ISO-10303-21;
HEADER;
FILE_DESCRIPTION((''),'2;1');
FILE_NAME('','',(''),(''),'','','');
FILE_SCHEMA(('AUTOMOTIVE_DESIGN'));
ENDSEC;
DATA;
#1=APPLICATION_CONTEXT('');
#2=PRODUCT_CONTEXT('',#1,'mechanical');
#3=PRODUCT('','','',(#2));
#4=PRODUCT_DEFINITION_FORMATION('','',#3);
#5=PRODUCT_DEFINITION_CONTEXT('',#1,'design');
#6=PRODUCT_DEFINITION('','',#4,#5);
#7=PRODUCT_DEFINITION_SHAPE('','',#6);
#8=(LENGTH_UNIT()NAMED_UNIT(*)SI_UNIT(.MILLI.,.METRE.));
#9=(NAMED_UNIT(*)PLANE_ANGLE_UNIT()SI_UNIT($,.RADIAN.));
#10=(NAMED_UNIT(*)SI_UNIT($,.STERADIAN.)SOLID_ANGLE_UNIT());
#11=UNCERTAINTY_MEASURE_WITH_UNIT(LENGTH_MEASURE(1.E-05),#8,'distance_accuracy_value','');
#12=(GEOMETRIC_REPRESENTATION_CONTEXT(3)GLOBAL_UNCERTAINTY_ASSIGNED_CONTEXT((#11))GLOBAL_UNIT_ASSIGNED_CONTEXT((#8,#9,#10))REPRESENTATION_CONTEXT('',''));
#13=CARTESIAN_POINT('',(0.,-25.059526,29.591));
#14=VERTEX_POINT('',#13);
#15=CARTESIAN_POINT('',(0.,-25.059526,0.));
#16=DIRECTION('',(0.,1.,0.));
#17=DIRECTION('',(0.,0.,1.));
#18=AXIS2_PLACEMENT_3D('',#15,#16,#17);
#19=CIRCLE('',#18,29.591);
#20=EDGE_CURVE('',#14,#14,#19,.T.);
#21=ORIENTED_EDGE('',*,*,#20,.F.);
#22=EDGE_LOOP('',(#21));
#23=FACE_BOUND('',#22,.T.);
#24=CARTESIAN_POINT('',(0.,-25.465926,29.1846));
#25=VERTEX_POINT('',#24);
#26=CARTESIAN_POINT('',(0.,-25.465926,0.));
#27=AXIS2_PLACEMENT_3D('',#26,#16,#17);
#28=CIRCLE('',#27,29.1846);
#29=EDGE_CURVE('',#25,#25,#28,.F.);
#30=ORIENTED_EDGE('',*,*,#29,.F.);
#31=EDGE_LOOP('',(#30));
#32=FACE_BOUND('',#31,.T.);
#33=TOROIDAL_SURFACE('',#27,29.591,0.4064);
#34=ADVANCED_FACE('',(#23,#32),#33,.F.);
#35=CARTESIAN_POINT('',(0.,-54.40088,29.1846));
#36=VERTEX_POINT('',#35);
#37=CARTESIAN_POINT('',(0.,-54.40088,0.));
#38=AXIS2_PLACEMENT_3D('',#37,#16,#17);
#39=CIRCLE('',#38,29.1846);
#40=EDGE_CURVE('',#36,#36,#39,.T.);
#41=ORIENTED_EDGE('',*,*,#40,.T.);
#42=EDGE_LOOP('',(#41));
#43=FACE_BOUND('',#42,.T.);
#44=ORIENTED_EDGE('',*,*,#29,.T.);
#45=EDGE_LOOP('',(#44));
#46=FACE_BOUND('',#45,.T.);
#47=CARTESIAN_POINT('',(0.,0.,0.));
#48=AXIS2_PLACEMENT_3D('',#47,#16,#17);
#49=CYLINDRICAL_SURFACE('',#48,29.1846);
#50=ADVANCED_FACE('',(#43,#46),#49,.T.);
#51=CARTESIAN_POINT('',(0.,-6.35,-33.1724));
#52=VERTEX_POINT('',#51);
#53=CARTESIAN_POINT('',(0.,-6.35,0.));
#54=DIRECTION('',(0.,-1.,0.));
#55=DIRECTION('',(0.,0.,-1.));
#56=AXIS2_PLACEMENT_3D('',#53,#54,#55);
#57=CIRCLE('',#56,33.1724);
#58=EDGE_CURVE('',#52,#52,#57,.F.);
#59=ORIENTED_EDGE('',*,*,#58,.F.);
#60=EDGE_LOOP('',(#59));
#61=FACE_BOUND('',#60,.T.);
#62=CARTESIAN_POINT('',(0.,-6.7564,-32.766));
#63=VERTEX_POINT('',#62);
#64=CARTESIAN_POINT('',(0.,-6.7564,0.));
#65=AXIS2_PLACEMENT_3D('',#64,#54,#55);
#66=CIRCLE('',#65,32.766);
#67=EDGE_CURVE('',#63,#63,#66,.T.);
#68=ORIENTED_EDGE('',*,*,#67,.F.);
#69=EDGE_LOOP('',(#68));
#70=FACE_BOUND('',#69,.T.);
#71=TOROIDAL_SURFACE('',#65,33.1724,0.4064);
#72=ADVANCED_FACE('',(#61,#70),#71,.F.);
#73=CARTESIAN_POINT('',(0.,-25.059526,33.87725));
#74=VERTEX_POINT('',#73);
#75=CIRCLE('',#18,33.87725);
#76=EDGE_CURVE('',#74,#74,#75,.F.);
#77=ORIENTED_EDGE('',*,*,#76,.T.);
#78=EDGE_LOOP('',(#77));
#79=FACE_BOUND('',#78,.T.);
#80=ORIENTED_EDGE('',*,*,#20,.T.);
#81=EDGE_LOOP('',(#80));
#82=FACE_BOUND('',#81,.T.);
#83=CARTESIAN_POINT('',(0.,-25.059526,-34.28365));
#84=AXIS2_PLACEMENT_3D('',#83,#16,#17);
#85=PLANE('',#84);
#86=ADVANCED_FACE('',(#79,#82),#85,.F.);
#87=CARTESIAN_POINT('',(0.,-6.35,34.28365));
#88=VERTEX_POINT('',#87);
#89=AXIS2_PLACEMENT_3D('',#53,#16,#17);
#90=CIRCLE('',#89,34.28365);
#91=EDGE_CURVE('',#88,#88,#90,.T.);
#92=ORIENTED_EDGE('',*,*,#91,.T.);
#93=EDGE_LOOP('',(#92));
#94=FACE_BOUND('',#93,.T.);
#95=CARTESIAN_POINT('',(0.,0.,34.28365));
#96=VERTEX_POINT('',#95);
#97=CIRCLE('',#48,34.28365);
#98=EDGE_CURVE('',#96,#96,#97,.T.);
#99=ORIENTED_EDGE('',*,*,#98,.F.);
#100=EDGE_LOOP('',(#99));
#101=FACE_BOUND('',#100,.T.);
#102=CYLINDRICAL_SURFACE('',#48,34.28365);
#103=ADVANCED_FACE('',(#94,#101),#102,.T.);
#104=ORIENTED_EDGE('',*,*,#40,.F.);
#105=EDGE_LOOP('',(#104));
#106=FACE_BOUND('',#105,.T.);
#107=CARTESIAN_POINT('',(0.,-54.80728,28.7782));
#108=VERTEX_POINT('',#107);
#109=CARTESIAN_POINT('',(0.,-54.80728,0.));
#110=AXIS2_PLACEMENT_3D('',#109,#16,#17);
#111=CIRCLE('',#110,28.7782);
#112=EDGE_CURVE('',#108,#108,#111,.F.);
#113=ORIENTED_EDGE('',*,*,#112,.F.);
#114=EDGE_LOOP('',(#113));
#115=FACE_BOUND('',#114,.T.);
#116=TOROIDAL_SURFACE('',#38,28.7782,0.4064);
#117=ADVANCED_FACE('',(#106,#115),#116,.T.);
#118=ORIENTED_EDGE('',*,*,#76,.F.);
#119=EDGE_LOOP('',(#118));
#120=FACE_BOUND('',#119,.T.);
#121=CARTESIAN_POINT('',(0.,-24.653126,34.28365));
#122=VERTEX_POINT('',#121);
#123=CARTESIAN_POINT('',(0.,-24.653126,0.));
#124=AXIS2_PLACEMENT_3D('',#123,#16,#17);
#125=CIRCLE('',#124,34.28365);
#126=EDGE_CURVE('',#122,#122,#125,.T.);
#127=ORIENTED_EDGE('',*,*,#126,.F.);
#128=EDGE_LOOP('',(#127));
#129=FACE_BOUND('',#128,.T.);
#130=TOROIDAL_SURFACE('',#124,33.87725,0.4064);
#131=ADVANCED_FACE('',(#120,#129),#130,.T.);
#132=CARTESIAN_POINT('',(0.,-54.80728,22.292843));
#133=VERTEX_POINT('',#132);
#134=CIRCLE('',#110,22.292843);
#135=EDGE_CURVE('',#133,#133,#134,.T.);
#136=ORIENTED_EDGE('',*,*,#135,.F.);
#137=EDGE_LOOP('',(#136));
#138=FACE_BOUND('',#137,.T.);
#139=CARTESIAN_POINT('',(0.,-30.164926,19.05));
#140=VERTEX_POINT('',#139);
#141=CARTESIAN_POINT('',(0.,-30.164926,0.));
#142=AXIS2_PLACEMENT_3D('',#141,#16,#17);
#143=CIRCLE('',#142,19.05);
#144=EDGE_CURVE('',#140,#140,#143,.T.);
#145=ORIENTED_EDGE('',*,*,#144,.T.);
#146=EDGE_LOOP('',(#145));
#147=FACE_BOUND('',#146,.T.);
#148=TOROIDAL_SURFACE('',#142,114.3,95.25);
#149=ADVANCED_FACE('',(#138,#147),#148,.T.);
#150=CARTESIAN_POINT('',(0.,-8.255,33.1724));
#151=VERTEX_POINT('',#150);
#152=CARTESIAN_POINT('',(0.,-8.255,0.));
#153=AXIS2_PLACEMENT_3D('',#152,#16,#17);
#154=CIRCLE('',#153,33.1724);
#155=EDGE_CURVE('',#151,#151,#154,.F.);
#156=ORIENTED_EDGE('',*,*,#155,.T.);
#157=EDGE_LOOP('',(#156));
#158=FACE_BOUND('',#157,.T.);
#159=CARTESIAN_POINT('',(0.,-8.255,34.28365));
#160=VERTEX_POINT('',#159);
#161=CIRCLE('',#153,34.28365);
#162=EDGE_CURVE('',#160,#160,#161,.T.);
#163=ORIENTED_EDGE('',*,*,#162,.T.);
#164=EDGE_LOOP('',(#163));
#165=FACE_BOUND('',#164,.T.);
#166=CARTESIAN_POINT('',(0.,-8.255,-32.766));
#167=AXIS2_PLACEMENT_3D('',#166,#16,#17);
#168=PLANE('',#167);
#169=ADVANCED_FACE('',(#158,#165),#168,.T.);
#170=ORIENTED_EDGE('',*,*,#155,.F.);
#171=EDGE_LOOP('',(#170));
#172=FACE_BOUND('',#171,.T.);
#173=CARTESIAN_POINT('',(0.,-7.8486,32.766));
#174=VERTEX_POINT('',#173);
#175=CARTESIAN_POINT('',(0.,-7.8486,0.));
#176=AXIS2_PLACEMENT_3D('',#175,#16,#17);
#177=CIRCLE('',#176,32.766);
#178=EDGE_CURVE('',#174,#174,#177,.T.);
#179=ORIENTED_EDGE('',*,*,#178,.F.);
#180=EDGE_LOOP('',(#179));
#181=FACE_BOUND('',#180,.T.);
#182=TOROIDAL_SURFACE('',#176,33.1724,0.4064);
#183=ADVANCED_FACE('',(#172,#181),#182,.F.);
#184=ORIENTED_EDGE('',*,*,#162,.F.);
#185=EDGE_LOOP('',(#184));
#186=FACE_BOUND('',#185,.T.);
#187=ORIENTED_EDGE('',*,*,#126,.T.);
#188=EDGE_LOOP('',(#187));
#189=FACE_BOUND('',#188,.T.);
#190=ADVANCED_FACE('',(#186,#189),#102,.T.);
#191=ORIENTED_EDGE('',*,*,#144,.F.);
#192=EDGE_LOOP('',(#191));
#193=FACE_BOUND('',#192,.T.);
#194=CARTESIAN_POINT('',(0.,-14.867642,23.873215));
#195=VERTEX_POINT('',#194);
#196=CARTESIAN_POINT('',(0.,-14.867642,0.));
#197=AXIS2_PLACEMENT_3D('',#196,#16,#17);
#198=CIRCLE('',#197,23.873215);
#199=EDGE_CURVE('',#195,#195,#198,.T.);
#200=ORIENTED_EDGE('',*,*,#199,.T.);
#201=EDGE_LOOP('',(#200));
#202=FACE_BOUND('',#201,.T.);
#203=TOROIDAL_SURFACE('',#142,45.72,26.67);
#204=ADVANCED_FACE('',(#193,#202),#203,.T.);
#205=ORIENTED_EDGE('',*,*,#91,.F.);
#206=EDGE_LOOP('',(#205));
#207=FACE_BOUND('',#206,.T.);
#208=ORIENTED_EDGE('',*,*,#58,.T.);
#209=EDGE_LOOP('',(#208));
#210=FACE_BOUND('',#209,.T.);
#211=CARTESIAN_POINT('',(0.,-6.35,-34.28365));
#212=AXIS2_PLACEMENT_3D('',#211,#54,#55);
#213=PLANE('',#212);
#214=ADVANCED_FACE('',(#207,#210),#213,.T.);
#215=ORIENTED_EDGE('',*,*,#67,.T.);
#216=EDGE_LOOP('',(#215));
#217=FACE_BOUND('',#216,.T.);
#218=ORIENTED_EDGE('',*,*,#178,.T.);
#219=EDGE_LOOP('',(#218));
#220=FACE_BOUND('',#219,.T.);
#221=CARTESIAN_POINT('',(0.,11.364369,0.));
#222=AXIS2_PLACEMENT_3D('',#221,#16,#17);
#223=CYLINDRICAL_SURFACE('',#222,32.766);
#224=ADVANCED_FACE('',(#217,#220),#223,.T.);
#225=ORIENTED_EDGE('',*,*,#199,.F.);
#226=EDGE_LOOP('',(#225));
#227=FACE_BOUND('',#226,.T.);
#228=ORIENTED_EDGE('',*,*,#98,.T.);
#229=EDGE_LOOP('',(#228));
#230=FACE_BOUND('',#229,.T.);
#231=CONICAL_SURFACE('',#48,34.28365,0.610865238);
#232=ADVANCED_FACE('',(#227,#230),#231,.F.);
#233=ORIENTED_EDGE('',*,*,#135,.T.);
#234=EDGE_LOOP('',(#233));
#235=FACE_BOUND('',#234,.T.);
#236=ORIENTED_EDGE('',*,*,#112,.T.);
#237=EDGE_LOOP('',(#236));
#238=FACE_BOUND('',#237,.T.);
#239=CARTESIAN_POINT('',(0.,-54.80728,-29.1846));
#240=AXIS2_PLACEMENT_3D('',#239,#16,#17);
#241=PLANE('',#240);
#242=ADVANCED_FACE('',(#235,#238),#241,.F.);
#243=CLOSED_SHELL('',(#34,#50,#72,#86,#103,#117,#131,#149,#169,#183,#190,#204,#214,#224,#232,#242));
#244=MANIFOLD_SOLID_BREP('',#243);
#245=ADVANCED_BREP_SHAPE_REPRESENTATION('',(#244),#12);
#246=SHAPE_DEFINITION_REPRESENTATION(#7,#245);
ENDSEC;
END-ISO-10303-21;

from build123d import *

# Parameters (mm, degrees)
SKETCH6_W     = 1.51765
SKETCH6_H     = 1.905
TOOL_RADIUS_R = 0.4064


with BuildPart() as part:
    # Sketch4 → Revolve1 (revolve)
    with BuildSketch(Plane(origin=(0, 0, 0), x_dir=(0, 0, -1), z_dir=(1, 0, 0)), mode=Mode.PRIVATE) as revolve1_sk:
        with BuildLine():
            Line((34.28365, 0), (23.873214979, -14.867642025))
            ThreePointArc((23.873214979, -14.867642025), (20.284368924, -22.14510191), (19.05, -30.164925582))
            ThreePointArc((19.05, -30.164925582), (19.864190646, -42.592331251), (22.292843289, -54.80727965))
            Line((22.292843289, -54.80727965), (29.1846, -54.80727965))
            Line((29.1846, -54.80727965), (29.1846, -25.059525582))
            Line((29.1846, -25.059525582), (34.28365, -25.059525582))
            Line((34.28365, -25.059525582), (34.28365, 0))
        make_face()
    revolve(revolve1_sk.sketch.rotate(Axis((0, 0, 0), (0, -1, 0)), 180), axis=Axis((0, 0, 0), (0, -1, 0)))

    # Sketch6 → Spring Groove (revolve, cut)
    with BuildSketch(Plane(origin=(0, 0, 0), x_dir=(0, 0, -1), z_dir=(1, 0, 0)), mode=Mode.PRIVATE) as spring_groove_sk:
        with Locations((33.524825, -7.3025)):
            Rectangle(SKETCH6_W, SKETCH6_H)
    revolve(spring_groove_sk.sketch.rotate(Axis((0, 11.364369063, 0), (0, -1, 0)), 180), axis=Axis((0, 11.364369063, 0), (0, -1, 0)), mode=Mode.SUBTRACT)

    # Tool Radius
    tool_radius_edges = [part.edges().sort_by_distance(p)[0] for p in [
        (0, -6.35, -32.766),
        (0, -8.255, -32.766),
        (0, -25.059525582, -34.28365),
        (0, -25.059525582, -29.1846),
        (0, -54.80727965, -29.1846),
    ]]
    fillet(tool_radius_edges, radius=TOOL_RADIUS_R)


solid = part.part
